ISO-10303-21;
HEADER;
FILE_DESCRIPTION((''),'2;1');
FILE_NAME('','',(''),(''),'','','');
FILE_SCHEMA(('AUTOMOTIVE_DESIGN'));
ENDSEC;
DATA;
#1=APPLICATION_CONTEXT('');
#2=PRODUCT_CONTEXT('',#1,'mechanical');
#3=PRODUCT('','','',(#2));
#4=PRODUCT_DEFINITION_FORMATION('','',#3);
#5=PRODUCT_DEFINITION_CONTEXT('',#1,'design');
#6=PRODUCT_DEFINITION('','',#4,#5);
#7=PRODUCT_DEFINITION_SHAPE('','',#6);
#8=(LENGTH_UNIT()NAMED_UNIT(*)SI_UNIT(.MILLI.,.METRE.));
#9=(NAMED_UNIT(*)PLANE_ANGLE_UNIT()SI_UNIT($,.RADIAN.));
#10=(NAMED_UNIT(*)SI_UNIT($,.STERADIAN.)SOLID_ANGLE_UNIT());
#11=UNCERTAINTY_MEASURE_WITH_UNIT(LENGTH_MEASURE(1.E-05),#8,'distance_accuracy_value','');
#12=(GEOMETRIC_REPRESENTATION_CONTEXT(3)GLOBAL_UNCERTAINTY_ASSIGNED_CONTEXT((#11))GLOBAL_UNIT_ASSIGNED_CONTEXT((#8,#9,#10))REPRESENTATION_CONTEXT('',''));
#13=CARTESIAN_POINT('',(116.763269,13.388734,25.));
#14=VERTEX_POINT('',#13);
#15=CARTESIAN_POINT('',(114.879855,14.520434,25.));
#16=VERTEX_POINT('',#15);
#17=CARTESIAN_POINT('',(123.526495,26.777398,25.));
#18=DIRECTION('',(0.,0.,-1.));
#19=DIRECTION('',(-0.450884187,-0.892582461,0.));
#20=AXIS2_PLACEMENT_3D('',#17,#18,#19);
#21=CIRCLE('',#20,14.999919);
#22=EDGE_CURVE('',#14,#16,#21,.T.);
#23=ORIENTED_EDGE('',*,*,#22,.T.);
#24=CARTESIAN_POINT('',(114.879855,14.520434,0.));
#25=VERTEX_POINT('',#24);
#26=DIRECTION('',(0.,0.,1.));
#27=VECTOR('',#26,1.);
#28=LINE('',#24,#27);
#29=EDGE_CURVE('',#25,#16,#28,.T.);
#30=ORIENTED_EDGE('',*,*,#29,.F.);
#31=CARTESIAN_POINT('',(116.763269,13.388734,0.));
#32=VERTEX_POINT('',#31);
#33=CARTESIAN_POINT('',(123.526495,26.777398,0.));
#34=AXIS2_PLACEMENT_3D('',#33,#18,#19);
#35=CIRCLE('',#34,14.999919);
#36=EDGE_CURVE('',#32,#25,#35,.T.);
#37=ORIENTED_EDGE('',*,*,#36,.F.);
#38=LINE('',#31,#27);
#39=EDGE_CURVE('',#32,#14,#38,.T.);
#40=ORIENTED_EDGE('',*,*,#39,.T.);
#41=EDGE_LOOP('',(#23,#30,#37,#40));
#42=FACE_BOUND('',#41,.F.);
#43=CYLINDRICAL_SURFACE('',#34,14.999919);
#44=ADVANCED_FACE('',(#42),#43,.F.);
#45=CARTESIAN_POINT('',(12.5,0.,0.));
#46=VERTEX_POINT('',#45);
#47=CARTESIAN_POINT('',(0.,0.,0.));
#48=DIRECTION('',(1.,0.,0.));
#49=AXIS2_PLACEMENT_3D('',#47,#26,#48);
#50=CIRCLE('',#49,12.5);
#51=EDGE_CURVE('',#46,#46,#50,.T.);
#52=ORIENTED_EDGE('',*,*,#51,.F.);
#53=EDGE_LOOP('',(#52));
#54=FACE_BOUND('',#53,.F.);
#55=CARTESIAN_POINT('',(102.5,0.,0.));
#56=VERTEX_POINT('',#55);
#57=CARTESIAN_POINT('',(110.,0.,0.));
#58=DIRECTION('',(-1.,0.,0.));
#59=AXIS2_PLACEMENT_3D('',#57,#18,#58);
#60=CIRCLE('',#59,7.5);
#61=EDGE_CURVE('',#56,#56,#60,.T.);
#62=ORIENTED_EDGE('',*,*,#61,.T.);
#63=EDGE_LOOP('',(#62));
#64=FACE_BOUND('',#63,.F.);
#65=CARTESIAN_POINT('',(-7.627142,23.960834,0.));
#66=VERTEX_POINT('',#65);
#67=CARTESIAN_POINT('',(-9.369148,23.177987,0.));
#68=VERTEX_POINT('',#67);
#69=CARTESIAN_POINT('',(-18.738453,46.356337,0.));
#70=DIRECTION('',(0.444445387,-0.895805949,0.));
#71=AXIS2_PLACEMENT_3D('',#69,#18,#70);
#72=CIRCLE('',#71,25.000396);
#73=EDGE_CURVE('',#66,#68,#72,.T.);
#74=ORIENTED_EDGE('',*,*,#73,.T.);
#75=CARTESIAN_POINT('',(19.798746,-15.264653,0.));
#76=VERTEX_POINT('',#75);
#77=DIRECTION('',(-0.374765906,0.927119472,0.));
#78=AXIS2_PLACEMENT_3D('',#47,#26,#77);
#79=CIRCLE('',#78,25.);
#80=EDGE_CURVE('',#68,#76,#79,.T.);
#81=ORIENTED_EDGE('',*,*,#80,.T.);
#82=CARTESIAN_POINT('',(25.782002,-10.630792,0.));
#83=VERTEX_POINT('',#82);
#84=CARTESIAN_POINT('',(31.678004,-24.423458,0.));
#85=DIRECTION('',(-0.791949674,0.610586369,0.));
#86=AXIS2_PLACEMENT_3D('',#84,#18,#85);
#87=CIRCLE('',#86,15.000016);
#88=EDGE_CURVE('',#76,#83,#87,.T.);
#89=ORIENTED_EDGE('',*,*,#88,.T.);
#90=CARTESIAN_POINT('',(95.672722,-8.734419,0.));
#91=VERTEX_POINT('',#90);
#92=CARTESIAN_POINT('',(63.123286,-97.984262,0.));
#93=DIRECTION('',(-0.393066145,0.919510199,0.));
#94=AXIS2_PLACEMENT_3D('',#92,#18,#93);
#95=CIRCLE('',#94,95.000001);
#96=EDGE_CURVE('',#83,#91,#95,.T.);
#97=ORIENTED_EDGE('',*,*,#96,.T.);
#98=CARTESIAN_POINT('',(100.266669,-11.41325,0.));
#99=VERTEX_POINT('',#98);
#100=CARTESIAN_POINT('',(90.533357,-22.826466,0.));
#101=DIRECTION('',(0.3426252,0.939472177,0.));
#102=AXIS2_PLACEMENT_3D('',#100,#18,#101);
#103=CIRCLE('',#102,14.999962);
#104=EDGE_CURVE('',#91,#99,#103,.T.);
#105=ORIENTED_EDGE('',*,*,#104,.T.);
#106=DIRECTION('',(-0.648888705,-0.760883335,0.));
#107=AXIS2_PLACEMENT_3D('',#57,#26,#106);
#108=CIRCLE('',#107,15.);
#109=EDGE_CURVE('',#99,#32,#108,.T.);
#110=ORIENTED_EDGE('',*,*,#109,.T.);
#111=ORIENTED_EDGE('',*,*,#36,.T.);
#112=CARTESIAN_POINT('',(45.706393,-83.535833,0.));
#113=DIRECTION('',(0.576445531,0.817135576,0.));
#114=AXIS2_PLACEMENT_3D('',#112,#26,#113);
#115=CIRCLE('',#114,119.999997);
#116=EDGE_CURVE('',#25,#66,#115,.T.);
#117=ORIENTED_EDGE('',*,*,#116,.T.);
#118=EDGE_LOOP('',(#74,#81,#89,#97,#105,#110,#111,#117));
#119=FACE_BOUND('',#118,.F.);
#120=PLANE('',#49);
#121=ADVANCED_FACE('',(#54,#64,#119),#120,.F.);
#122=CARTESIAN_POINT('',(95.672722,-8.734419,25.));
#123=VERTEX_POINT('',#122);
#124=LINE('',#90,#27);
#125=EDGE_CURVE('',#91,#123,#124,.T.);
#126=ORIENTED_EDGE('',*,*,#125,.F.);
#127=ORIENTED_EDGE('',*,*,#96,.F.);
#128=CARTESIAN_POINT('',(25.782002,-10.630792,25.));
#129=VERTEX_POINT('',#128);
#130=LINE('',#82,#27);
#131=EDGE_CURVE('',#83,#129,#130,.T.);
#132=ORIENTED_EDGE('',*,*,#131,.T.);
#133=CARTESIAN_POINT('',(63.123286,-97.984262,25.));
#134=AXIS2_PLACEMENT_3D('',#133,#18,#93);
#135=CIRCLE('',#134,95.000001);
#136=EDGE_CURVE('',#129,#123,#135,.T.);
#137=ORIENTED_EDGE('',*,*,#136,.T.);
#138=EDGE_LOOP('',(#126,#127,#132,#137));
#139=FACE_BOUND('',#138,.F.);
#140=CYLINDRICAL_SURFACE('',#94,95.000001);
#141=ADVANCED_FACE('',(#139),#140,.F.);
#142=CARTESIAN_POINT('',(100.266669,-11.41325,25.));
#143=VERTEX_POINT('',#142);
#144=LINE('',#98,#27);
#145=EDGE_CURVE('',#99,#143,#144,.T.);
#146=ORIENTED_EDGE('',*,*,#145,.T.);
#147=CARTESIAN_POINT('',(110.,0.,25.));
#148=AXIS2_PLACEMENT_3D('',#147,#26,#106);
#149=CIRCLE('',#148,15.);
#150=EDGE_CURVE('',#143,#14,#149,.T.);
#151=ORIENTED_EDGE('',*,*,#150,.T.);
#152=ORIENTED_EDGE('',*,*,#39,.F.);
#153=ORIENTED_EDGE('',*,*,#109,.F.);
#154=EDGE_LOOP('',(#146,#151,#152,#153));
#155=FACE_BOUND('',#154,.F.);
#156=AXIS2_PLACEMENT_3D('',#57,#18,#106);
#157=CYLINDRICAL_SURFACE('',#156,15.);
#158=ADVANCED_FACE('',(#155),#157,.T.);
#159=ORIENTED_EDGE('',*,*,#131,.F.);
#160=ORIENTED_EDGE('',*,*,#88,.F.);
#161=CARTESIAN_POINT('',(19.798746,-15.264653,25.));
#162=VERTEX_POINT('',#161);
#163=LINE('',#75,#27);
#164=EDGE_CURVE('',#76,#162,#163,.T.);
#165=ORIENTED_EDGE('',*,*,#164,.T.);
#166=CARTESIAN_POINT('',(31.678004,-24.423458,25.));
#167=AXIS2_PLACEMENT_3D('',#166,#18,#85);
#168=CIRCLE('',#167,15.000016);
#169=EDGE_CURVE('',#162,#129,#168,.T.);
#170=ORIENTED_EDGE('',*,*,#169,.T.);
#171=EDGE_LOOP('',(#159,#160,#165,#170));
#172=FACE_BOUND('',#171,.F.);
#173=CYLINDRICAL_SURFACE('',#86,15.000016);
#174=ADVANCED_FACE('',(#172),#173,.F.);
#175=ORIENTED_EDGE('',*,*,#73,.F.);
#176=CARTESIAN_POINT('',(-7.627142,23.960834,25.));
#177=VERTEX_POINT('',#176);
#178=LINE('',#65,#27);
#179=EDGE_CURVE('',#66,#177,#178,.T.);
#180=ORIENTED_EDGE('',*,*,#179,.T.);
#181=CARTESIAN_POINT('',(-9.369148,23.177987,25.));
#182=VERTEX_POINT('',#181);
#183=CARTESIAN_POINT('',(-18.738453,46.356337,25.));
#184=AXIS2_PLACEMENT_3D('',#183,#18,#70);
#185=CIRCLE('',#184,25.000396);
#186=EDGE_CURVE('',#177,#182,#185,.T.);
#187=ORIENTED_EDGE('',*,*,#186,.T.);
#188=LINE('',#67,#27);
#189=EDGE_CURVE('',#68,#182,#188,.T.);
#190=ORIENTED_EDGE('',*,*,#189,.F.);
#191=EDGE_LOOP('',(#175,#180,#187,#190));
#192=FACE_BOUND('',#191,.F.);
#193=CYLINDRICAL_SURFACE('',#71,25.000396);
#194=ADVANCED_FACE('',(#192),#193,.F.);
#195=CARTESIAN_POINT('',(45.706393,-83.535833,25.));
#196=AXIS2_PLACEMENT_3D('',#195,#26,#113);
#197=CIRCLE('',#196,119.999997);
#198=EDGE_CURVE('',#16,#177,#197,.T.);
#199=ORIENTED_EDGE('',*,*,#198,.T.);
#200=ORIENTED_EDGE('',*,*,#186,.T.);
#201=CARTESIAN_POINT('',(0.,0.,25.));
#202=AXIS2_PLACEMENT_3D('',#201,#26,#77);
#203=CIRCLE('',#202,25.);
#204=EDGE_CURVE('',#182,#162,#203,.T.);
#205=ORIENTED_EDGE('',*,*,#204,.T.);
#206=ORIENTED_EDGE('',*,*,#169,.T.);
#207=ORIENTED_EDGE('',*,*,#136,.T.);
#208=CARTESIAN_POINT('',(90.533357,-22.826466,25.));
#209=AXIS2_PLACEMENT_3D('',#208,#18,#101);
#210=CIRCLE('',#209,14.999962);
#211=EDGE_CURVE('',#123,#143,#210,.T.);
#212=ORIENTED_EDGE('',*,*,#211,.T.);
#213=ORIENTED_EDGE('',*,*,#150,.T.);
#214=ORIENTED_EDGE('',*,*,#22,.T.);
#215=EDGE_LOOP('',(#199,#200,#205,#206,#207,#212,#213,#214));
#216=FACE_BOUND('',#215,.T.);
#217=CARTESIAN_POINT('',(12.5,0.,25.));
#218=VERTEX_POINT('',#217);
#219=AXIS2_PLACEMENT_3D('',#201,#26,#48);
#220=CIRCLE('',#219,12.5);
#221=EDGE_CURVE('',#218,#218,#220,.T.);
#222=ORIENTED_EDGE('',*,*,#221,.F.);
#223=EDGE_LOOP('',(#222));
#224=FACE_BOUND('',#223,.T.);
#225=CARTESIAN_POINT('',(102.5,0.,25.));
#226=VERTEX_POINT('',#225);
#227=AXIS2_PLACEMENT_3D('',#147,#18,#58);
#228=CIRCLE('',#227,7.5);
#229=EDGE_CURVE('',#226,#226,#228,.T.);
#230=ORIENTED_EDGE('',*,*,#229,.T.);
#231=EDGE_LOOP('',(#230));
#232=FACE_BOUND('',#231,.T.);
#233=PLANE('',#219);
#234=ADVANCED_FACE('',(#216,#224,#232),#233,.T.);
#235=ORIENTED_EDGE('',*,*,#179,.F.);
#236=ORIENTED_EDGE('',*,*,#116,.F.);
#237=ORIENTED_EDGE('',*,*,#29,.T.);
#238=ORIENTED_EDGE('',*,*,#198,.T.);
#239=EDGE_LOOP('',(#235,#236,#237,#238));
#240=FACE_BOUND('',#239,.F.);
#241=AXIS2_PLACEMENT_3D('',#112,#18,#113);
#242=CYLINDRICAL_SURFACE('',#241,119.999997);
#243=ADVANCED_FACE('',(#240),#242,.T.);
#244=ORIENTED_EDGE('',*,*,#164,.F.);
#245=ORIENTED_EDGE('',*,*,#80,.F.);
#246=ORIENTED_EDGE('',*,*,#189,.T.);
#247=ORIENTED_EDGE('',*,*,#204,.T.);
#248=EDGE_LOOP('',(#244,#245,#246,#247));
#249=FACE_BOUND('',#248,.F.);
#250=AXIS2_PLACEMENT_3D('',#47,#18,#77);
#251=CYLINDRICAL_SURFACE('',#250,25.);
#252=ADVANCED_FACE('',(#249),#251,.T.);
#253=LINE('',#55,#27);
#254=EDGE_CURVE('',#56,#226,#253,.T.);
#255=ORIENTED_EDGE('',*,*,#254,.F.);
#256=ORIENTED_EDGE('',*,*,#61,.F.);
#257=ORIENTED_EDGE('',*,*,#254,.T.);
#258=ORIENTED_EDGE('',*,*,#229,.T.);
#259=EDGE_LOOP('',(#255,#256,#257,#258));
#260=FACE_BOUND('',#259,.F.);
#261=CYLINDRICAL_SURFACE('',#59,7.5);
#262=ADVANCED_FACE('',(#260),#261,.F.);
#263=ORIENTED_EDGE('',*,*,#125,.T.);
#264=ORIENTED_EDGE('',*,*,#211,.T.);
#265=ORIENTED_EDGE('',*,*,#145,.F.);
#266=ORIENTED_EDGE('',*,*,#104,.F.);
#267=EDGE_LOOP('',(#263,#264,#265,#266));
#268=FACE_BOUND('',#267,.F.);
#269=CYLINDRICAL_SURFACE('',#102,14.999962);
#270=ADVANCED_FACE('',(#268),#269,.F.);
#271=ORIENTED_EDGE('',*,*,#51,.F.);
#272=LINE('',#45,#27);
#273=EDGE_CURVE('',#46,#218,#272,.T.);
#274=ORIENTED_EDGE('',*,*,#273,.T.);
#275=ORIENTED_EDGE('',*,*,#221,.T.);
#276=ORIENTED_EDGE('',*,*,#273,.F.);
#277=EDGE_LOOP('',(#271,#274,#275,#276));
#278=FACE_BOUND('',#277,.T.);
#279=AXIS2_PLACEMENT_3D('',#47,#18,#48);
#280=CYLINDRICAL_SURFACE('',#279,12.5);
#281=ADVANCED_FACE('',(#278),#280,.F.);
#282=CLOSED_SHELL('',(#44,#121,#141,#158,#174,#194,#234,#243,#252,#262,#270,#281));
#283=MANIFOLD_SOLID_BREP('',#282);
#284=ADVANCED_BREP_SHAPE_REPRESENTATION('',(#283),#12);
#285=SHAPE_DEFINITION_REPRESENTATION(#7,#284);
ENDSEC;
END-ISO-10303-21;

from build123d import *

# Parameters (mm, degrees)
F0_R     = 12.5
F1_DEPTH = 25


with BuildPart() as f1:
    # F0 (on Top) → F1 (new body)
    with BuildSketch(Plane.XY):
        Circle(F0_R)
        with BuildLine():
            ThreePointArc((117.5, 0), (110, 7.5), (102.5, 0))
            ThreePointArc((102.5, 0), (110, -7.5), (117.5, 0))
        make_face()
        with BuildLine():
            ThreePointArc((-7.627142, 23.960834), (-8.490667, 23.55277), (-9.369148, 23.177987))
            ThreePointArc((-9.369148, 23.177987), (-19.916156, -15.111146), (19.798746, -15.264653))
            ThreePointArc((19.798746, -15.264653), (22.493335, -12.564186), (25.782002, -10.630792))
            ThreePointArc((25.782002, -10.630792), (60.546561, -3.019212), (95.672722, -8.734419))
            ThreePointArc((95.672722, -8.734419), (98.089359, -9.868623), (100.266669, -11.41325))
            ThreePointArc((100.266669, -11.41325), (122.489592, -8.307231), (116.763269, 13.388734))
            ThreePointArc((116.763269, 13.388734), (115.800812, 13.920051), (114.879855, 14.520434))
            ThreePointArc((114.879855, 14.520434), (54.926268, 36.109448), (-7.627142, 23.960834))
        make_face()
        Circle(F0_R, mode=Mode.SUBTRACT)
        with BuildLine():
            ThreePointArc((117.5, 0), (110, -7.5), (102.5, 0))
            ThreePointArc((102.5, 0), (110, 7.5), (117.5, 0))
        make_face(mode=Mode.SUBTRACT)
    extrude(amount=F1_DEPTH)


solid = f1.part
